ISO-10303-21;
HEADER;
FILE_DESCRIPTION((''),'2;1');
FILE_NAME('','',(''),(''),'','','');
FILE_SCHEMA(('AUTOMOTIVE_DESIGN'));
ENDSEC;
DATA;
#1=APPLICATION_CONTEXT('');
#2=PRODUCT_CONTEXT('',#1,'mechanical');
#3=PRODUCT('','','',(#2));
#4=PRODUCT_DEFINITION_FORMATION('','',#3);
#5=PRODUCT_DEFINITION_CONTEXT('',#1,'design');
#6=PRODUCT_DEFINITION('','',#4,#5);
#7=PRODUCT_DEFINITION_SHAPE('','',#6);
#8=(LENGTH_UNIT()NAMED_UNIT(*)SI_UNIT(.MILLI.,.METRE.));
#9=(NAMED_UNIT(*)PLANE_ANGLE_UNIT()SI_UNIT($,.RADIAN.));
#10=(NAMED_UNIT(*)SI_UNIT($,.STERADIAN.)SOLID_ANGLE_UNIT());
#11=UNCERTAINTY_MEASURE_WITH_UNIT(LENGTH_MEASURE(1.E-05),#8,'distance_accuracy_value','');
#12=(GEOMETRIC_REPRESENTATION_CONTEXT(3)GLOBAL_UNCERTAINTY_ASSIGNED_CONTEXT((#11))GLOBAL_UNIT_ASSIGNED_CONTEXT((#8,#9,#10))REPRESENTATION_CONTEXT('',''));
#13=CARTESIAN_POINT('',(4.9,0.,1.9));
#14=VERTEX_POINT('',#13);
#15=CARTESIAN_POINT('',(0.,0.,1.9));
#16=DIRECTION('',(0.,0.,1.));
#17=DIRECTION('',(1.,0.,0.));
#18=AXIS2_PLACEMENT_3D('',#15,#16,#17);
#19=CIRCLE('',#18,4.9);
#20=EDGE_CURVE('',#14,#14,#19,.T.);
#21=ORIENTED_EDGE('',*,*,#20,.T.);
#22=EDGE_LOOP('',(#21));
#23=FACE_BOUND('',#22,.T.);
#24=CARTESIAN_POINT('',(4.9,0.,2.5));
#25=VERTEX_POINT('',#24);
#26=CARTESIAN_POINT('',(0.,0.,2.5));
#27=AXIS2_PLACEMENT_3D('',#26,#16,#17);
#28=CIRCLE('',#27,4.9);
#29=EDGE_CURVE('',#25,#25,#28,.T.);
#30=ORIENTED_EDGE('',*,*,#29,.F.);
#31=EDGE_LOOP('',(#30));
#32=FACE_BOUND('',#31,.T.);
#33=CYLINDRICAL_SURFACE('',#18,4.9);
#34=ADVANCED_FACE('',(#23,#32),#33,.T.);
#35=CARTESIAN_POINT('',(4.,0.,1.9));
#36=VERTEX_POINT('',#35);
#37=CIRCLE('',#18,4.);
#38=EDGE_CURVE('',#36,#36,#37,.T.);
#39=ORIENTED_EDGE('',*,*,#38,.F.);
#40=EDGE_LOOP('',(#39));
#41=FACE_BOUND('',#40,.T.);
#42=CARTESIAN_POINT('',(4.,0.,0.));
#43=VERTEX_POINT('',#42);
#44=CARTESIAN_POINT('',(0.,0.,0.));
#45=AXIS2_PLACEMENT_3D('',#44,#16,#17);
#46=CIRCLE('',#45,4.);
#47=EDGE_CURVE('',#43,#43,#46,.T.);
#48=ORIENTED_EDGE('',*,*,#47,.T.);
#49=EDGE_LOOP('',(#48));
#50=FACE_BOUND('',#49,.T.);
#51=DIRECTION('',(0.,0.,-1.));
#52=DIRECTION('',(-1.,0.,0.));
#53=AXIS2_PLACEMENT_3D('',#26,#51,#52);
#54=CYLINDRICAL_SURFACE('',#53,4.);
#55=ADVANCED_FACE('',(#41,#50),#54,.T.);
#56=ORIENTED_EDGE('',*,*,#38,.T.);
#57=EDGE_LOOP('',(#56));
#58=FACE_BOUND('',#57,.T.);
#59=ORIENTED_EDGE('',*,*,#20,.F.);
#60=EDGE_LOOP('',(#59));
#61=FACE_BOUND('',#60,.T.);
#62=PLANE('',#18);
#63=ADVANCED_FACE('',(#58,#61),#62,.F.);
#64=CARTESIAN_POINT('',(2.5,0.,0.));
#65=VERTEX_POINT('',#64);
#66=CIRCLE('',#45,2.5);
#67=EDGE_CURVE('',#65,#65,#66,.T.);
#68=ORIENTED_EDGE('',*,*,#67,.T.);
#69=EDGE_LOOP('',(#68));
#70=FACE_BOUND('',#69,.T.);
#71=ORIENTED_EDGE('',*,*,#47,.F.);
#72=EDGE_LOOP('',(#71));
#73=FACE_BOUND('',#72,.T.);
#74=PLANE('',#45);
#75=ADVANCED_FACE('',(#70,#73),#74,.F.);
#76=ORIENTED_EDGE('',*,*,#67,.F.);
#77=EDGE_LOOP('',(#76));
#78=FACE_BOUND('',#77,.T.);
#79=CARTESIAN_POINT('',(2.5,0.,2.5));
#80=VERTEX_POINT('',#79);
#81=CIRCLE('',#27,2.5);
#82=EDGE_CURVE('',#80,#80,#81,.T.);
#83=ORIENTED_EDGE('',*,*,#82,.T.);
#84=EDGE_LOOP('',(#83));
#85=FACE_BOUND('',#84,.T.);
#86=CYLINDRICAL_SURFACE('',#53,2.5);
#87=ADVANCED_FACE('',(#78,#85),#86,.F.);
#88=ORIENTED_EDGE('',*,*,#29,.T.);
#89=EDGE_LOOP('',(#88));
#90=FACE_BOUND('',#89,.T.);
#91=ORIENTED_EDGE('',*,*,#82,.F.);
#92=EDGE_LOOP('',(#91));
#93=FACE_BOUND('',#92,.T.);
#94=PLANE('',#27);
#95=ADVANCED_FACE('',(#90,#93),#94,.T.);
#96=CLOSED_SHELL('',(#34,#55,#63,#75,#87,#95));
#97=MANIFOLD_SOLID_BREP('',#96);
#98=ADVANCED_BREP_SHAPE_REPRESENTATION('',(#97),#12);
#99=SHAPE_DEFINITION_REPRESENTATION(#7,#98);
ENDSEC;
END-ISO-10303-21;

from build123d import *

# Parameters (mm, degrees)
SKETCH_2_R      = 4
SKETCH_2_R_2    = 2.5
EXTRUDE_1_DEPTH = 2.5
EXTRUDE_START   = -0.6
SKETCH_3_R      = 4.9
SKETCH_3_R_2    = 4
EXTRUDE_2_DEPTH = 0.6


with BuildPart() as part:
    # ｽｹｯﾁ2 → ﾎﾞｽ - 押し出し1 (new body)
    with BuildSketch(Plane.XY):
        Circle(SKETCH_2_R)
        Circle(SKETCH_2_R_2, mode=Mode.SUBTRACT)
    extrude(amount=EXTRUDE_1_DEPTH)

    # ｽｹｯﾁ3 → ﾎﾞｽ - 押し出し2 (add)
    with BuildSketch(Plane.XY.offset(2.5).offset(EXTRUDE_START)):
        Circle(SKETCH_3_R)
        Circle(SKETCH_3_R_2, mode=Mode.SUBTRACT)
    extrude(amount=EXTRUDE_2_DEPTH)


solid = part.part
